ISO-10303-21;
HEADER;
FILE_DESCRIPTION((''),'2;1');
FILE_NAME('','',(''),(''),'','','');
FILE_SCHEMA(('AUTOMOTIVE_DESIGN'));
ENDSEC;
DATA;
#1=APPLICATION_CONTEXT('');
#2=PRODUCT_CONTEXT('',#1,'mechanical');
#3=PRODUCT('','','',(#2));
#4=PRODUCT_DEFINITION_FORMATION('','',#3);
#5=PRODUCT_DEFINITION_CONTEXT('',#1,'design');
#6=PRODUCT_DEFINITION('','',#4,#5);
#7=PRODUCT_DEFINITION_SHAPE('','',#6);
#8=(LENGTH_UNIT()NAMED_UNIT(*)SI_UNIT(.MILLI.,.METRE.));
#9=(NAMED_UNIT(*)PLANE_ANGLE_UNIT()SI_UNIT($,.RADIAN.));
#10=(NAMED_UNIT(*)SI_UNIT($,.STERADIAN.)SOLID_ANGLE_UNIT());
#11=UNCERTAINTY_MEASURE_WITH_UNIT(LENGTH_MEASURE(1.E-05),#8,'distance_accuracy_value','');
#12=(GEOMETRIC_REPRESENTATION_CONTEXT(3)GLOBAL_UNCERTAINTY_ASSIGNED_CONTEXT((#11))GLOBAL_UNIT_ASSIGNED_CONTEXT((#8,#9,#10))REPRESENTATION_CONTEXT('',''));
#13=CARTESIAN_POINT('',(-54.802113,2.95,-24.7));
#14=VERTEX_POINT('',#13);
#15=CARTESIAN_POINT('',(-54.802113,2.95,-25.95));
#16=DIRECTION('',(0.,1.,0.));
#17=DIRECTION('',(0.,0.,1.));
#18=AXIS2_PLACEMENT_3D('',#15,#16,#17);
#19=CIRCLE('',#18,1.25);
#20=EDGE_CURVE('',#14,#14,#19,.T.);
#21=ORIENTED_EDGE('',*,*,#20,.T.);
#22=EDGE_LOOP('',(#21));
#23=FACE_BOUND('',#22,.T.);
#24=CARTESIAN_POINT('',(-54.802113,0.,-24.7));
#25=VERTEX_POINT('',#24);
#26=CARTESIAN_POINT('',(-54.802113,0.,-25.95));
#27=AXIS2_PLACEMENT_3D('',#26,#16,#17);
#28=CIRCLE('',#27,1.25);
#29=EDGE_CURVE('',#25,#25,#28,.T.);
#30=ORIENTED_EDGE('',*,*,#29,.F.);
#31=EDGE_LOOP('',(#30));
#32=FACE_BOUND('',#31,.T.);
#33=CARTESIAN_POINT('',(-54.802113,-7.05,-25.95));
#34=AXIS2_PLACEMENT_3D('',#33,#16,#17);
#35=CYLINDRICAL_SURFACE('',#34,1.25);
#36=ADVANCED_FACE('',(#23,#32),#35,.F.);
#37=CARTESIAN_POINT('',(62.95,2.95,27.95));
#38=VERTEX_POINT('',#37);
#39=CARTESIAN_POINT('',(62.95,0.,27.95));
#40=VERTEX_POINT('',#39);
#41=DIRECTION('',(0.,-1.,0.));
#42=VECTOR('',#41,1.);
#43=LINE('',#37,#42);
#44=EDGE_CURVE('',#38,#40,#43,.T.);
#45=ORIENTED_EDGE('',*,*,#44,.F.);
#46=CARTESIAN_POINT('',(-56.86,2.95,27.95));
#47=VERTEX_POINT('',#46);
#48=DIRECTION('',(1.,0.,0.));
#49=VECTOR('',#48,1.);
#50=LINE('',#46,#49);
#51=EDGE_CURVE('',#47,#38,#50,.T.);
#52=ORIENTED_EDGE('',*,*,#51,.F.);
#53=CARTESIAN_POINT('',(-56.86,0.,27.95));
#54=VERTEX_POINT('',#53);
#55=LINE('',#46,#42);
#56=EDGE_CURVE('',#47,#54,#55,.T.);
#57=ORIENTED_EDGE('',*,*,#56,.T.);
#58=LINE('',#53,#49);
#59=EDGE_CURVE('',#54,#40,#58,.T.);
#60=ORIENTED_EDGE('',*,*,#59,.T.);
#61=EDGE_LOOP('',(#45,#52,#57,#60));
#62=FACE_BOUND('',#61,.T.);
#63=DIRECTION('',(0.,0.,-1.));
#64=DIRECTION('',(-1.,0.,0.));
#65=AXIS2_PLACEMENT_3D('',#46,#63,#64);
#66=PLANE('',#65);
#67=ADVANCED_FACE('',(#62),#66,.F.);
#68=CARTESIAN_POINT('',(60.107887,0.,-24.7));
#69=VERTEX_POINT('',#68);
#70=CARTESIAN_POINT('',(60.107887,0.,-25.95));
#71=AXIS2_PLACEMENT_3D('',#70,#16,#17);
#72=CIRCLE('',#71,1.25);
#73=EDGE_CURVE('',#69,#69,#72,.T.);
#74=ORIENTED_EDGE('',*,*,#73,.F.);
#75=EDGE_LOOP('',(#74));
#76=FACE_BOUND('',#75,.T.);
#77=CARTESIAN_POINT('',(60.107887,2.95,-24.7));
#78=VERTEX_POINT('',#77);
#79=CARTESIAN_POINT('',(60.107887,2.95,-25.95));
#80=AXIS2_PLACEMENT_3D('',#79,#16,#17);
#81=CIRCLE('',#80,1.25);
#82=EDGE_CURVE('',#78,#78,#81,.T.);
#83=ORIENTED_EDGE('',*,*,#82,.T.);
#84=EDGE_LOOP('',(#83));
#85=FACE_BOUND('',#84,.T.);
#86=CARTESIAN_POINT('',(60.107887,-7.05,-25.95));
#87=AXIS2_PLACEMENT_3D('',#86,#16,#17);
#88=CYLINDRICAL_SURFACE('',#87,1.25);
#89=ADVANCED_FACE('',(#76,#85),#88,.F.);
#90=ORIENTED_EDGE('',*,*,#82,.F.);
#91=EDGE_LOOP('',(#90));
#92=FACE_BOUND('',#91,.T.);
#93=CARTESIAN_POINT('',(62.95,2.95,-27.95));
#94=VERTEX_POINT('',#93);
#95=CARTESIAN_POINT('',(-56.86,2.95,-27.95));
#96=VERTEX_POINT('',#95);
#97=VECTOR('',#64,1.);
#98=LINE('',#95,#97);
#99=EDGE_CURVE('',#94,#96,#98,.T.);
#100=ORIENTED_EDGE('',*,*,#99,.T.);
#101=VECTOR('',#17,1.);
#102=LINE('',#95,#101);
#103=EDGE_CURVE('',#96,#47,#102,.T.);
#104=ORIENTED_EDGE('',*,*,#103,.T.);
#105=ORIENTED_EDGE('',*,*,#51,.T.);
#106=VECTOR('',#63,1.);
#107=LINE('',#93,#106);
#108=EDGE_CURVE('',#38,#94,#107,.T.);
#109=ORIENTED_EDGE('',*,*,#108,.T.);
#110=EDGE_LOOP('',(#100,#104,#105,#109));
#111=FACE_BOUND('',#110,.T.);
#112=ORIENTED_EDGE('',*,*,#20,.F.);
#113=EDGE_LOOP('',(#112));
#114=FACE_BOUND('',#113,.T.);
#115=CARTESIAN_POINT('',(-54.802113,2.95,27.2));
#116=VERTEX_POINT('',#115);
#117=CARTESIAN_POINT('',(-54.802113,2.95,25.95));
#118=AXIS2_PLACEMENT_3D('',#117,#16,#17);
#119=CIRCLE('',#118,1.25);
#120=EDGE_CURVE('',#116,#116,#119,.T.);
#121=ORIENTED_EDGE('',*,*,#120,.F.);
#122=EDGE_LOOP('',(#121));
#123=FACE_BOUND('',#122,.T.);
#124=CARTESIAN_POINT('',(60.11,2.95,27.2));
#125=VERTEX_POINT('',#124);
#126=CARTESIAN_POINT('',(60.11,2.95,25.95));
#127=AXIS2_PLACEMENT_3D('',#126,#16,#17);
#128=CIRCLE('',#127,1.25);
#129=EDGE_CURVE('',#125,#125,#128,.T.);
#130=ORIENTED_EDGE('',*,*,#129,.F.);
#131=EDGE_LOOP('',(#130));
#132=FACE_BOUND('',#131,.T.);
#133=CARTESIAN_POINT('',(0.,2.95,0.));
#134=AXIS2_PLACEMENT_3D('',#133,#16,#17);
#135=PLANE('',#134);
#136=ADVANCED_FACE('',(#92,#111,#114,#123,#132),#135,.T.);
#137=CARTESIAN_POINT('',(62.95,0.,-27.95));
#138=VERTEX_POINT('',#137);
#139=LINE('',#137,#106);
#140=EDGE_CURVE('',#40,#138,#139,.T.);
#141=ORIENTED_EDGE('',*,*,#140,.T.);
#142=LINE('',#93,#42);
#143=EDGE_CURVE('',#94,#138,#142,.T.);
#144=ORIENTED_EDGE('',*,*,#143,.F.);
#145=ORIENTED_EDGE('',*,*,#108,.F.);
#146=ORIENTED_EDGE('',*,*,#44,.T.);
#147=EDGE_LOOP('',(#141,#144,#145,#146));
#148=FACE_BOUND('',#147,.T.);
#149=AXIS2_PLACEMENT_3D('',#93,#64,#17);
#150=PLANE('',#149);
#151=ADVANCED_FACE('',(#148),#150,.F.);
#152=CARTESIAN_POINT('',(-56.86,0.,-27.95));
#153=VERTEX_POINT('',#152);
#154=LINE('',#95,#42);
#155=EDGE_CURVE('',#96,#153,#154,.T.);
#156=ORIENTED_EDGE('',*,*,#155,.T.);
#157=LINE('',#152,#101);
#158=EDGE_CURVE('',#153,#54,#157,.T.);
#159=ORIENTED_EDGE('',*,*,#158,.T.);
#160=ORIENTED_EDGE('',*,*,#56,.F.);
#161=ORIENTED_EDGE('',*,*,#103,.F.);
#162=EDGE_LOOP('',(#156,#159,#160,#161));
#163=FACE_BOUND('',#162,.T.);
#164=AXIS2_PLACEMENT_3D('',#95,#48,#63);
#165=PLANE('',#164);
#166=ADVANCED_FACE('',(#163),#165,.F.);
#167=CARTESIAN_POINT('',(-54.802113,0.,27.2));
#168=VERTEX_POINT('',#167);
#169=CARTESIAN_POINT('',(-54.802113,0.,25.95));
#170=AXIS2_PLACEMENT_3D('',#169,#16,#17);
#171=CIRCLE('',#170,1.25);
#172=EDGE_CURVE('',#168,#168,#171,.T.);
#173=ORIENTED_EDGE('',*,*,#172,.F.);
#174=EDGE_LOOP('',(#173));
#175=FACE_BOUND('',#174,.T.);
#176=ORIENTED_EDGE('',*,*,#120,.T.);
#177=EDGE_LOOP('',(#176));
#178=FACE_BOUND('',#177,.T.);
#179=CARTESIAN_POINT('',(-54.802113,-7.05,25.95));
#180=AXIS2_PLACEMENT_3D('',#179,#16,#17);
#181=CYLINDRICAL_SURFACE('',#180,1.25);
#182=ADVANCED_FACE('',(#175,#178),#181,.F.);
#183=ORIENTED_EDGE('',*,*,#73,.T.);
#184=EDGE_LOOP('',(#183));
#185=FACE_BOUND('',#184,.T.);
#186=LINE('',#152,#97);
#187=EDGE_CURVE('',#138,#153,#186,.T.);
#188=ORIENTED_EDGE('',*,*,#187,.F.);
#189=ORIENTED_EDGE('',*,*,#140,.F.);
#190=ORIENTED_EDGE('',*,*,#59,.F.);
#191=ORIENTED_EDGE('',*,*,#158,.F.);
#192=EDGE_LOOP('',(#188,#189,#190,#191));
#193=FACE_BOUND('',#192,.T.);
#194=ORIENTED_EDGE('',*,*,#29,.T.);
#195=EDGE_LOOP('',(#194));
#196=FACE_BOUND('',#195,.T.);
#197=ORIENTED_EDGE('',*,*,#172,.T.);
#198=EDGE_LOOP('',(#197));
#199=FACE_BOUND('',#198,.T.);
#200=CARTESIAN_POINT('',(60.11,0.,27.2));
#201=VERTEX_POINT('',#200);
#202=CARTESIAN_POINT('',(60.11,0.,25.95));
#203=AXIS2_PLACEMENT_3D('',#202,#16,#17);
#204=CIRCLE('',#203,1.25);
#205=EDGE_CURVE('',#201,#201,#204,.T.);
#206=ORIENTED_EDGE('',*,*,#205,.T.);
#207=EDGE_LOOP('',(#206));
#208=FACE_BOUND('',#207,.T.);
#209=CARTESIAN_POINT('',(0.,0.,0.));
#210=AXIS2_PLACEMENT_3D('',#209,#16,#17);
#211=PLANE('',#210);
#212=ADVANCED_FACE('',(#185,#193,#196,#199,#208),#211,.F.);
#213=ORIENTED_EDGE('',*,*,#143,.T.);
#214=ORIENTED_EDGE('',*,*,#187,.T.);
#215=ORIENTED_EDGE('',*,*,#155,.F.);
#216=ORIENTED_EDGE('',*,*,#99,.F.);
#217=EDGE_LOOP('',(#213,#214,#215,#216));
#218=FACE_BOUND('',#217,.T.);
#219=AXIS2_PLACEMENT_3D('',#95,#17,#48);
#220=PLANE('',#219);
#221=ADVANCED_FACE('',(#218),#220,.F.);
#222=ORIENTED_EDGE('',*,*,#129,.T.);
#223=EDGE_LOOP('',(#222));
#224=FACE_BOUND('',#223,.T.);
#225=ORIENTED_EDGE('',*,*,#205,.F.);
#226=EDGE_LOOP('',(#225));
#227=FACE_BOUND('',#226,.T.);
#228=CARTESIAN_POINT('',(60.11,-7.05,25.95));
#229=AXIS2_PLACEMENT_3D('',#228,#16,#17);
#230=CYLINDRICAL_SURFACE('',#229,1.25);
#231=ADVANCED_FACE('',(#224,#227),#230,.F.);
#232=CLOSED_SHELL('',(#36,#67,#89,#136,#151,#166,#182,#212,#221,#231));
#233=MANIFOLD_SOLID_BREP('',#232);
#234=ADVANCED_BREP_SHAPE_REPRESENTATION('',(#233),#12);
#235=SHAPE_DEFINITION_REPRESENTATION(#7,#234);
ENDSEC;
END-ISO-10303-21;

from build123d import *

# Parameters (mm, degrees)
SKETCH1_W           = 119.81
SKETCH1_H           = 55.9
BOSS_EXTRUDE1_DEPTH = 2.95
SKETCH2_R           = 1.25
CUT_EXTRUDE1_DEPTH  = 10


with BuildPart() as part:
    # Sketch1 → Boss-Extrude1 (new body)
    with BuildSketch(Plane(origin=(0, 0, 0), x_dir=(1, 0, 0), z_dir=(0, 1, 0))):
        with Locations((3.045, 0)):
            Rectangle(SKETCH1_W, SKETCH1_H)
    extrude(amount=BOSS_EXTRUDE1_DEPTH)

    # Sketch2 → Cut-Extrude1 (cut)
    with BuildSketch(Plane(origin=(0, 2.95, 0), x_dir=(1, 0, 0), z_dir=(0, 1, 0))):
        with Locations((-54.802113198, -25.95)):
            Circle(SKETCH2_R)
        with Locations((60.11, -25.95)):
            Circle(SKETCH2_R)
        with Locations((-54.802113198, 25.95)):
            Circle(SKETCH2_R)
        with Locations((60.107886802, 25.95)):
            Circle(SKETCH2_R)
    extrude(amount=-CUT_EXTRUDE1_DEPTH, mode=Mode.SUBTRACT)


solid = part.part
